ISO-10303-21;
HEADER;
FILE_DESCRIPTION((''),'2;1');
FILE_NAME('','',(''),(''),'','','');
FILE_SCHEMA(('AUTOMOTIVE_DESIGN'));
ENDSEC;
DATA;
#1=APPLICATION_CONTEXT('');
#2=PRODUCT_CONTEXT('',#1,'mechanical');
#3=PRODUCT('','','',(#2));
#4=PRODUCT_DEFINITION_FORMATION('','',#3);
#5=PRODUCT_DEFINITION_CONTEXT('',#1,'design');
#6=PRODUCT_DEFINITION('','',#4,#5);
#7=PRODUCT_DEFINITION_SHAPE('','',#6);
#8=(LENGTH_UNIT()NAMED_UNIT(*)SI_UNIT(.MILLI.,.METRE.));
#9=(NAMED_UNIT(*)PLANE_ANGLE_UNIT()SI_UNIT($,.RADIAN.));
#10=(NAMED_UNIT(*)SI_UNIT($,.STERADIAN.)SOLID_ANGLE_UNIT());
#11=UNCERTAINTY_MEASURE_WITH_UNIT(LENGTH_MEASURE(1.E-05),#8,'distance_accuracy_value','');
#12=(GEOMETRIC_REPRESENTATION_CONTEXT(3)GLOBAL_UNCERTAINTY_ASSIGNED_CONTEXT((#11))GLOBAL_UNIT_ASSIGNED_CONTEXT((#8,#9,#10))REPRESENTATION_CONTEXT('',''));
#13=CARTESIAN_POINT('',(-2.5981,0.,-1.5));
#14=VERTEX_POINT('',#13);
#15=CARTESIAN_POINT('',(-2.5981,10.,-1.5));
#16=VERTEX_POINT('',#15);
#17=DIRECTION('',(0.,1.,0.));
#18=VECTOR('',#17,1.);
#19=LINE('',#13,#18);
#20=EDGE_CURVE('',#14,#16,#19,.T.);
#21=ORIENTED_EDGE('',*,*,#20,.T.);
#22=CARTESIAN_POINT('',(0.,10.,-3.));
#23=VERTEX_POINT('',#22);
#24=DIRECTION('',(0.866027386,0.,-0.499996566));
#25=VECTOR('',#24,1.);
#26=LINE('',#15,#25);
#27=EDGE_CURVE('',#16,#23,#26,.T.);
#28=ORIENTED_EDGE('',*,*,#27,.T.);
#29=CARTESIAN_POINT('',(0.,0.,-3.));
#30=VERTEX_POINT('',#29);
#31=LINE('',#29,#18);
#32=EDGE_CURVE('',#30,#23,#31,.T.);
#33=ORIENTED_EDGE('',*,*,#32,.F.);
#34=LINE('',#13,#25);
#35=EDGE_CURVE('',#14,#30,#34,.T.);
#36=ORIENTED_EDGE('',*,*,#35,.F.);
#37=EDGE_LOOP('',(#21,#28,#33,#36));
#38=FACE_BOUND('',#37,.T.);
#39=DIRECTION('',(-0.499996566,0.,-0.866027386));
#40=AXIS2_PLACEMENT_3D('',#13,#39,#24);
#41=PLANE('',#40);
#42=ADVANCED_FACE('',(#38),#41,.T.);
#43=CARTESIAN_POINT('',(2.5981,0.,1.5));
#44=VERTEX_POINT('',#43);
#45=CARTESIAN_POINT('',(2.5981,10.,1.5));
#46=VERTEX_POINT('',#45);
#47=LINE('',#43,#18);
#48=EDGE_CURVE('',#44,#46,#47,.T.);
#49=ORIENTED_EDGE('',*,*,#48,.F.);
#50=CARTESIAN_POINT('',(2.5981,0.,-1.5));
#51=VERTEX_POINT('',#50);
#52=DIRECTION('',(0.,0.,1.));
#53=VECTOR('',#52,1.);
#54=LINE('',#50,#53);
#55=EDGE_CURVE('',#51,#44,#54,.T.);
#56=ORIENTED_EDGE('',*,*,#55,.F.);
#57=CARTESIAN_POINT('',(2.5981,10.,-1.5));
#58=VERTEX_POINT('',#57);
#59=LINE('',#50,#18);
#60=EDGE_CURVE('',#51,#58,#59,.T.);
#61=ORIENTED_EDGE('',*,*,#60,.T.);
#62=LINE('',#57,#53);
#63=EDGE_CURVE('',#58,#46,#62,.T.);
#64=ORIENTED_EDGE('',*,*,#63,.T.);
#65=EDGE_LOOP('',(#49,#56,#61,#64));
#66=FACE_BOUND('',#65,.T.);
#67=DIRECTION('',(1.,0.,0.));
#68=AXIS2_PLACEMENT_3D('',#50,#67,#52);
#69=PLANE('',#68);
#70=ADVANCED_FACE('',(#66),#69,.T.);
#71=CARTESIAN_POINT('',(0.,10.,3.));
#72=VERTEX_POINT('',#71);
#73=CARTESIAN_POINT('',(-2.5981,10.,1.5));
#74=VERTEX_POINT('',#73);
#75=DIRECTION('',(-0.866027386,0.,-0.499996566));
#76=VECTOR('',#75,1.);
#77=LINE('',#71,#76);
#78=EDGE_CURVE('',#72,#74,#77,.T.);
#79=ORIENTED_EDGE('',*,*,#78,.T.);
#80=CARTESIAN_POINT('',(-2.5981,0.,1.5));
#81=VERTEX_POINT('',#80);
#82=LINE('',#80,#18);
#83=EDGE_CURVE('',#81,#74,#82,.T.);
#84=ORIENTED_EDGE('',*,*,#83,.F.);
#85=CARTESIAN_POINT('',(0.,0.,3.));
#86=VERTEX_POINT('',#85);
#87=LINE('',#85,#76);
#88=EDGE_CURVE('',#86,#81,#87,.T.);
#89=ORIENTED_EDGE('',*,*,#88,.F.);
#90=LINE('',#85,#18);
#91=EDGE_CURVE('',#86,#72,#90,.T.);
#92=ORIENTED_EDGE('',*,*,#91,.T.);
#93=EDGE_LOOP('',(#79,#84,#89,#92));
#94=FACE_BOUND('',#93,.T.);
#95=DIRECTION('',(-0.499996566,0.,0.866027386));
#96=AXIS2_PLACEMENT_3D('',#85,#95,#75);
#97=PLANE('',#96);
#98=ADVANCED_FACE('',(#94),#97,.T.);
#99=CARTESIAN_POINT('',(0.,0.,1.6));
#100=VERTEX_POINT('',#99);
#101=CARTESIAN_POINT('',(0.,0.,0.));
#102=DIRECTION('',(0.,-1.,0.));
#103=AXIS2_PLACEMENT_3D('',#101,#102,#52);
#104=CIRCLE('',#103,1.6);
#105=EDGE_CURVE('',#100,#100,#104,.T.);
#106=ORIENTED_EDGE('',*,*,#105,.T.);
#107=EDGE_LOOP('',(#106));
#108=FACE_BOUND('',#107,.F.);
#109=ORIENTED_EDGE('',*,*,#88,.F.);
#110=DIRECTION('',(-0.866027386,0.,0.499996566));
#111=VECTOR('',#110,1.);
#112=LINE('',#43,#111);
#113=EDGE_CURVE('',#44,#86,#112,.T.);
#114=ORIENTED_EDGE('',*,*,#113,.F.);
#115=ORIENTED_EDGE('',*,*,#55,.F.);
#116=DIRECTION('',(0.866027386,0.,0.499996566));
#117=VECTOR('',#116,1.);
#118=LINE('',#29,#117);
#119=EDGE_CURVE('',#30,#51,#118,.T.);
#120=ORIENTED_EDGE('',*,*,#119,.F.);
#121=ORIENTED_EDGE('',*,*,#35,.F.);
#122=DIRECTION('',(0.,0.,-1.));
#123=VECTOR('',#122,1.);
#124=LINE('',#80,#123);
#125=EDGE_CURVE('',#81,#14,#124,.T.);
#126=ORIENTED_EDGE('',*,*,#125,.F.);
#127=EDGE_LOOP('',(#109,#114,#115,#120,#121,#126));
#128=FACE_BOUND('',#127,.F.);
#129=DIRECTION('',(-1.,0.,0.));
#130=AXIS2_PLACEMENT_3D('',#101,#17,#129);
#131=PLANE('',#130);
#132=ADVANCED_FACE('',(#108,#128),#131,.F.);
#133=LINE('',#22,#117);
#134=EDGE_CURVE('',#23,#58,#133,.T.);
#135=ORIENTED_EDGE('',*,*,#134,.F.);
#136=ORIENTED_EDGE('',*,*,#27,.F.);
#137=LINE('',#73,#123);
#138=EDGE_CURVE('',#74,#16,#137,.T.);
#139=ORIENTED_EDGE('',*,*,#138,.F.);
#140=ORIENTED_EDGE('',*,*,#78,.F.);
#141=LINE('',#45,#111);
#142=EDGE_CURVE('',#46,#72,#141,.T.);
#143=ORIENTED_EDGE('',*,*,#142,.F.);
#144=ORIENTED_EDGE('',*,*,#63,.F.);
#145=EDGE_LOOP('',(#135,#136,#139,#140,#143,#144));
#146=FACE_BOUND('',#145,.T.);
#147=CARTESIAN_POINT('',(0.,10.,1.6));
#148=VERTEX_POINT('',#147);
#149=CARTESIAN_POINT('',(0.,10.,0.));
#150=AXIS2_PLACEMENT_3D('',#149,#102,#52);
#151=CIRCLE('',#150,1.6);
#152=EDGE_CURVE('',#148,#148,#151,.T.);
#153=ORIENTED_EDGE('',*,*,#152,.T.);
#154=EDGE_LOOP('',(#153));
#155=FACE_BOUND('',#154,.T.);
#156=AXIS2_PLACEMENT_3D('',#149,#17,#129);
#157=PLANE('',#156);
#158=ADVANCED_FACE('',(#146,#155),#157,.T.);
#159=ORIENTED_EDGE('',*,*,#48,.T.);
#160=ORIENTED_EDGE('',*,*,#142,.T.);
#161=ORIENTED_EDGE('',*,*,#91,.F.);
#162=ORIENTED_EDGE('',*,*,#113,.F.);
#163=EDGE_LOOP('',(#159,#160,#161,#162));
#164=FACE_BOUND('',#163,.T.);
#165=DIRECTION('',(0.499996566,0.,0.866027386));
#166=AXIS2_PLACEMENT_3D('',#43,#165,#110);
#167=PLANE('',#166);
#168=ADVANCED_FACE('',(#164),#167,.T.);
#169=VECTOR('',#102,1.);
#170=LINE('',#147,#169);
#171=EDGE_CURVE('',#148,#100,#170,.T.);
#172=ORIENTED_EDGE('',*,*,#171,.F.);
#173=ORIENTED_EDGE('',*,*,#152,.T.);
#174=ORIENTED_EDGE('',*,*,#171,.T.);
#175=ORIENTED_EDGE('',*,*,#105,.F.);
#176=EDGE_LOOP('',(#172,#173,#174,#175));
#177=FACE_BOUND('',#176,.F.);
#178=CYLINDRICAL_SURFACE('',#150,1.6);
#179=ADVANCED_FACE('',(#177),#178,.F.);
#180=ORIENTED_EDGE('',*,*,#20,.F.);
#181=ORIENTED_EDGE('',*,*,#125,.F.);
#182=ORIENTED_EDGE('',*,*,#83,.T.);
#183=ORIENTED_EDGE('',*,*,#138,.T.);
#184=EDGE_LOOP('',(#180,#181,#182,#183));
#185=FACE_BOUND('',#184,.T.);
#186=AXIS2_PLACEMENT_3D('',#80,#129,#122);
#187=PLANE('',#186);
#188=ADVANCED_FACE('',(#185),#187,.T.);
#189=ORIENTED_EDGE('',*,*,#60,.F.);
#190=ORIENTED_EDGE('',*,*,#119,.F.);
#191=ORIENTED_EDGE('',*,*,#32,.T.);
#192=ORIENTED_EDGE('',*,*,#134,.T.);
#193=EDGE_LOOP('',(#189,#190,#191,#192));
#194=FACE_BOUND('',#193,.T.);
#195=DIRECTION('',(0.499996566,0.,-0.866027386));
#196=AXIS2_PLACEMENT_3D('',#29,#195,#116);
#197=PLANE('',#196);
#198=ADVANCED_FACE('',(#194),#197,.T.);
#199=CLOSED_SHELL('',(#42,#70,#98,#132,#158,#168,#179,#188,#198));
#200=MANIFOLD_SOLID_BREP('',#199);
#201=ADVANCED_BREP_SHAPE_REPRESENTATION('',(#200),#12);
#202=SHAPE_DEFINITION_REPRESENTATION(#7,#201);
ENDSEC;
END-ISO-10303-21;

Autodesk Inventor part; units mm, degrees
ref_plane "YZ Plane" through (0, 0, 0) normal (1, 0, 0) x (0, 1, 0)
ref_plane "XZ Plane" through (0, 0, 0) normal (0, 1, 0) x (-1, 0, 0)
ref_plane "XY Plane" through (0, 0, 0) normal (0, 0, 1) x (1, 0, 0)
sketch "Sketch1" plane through (0, 0, 0) normal (0, 1, 0) x (-1, 0, 0)
  line L0 (0, 0) -> (0, -3)
  line L1 (0, -3) -> (-2.5981, -1.5)
  line L2 (-2.5981, -1.5) -> (-2.5981, 1.5)
  line L3 (-2.5981, 1.5) -> (0, 3)
  line L4 (0, 3) -> (2.5981, 1.5)
  line L5 (2.5981, 1.5) -> (2.5981, -1.5)
  line L6 (2.5981, -1.5) -> (0, -3)
  dimension "d0" = 3
extrude "Extrusion1" add sketch "Sketch1" along normal blind 10
sketch "Sketch2" plane through (0, 10, 0) normal (0, 1, 0) x (1, 0, 0)
  point P0 (0, 0)
  point P1 (0, 0)
hole "Hole1" at (0, 10, 0) direction (0, -1, 0) diameter 3.2 end through all clearance for "Flat Head Machine Screw" size "M3" standard "Ansi Metric M Profile"
properties part number "M3x10-threaded"
